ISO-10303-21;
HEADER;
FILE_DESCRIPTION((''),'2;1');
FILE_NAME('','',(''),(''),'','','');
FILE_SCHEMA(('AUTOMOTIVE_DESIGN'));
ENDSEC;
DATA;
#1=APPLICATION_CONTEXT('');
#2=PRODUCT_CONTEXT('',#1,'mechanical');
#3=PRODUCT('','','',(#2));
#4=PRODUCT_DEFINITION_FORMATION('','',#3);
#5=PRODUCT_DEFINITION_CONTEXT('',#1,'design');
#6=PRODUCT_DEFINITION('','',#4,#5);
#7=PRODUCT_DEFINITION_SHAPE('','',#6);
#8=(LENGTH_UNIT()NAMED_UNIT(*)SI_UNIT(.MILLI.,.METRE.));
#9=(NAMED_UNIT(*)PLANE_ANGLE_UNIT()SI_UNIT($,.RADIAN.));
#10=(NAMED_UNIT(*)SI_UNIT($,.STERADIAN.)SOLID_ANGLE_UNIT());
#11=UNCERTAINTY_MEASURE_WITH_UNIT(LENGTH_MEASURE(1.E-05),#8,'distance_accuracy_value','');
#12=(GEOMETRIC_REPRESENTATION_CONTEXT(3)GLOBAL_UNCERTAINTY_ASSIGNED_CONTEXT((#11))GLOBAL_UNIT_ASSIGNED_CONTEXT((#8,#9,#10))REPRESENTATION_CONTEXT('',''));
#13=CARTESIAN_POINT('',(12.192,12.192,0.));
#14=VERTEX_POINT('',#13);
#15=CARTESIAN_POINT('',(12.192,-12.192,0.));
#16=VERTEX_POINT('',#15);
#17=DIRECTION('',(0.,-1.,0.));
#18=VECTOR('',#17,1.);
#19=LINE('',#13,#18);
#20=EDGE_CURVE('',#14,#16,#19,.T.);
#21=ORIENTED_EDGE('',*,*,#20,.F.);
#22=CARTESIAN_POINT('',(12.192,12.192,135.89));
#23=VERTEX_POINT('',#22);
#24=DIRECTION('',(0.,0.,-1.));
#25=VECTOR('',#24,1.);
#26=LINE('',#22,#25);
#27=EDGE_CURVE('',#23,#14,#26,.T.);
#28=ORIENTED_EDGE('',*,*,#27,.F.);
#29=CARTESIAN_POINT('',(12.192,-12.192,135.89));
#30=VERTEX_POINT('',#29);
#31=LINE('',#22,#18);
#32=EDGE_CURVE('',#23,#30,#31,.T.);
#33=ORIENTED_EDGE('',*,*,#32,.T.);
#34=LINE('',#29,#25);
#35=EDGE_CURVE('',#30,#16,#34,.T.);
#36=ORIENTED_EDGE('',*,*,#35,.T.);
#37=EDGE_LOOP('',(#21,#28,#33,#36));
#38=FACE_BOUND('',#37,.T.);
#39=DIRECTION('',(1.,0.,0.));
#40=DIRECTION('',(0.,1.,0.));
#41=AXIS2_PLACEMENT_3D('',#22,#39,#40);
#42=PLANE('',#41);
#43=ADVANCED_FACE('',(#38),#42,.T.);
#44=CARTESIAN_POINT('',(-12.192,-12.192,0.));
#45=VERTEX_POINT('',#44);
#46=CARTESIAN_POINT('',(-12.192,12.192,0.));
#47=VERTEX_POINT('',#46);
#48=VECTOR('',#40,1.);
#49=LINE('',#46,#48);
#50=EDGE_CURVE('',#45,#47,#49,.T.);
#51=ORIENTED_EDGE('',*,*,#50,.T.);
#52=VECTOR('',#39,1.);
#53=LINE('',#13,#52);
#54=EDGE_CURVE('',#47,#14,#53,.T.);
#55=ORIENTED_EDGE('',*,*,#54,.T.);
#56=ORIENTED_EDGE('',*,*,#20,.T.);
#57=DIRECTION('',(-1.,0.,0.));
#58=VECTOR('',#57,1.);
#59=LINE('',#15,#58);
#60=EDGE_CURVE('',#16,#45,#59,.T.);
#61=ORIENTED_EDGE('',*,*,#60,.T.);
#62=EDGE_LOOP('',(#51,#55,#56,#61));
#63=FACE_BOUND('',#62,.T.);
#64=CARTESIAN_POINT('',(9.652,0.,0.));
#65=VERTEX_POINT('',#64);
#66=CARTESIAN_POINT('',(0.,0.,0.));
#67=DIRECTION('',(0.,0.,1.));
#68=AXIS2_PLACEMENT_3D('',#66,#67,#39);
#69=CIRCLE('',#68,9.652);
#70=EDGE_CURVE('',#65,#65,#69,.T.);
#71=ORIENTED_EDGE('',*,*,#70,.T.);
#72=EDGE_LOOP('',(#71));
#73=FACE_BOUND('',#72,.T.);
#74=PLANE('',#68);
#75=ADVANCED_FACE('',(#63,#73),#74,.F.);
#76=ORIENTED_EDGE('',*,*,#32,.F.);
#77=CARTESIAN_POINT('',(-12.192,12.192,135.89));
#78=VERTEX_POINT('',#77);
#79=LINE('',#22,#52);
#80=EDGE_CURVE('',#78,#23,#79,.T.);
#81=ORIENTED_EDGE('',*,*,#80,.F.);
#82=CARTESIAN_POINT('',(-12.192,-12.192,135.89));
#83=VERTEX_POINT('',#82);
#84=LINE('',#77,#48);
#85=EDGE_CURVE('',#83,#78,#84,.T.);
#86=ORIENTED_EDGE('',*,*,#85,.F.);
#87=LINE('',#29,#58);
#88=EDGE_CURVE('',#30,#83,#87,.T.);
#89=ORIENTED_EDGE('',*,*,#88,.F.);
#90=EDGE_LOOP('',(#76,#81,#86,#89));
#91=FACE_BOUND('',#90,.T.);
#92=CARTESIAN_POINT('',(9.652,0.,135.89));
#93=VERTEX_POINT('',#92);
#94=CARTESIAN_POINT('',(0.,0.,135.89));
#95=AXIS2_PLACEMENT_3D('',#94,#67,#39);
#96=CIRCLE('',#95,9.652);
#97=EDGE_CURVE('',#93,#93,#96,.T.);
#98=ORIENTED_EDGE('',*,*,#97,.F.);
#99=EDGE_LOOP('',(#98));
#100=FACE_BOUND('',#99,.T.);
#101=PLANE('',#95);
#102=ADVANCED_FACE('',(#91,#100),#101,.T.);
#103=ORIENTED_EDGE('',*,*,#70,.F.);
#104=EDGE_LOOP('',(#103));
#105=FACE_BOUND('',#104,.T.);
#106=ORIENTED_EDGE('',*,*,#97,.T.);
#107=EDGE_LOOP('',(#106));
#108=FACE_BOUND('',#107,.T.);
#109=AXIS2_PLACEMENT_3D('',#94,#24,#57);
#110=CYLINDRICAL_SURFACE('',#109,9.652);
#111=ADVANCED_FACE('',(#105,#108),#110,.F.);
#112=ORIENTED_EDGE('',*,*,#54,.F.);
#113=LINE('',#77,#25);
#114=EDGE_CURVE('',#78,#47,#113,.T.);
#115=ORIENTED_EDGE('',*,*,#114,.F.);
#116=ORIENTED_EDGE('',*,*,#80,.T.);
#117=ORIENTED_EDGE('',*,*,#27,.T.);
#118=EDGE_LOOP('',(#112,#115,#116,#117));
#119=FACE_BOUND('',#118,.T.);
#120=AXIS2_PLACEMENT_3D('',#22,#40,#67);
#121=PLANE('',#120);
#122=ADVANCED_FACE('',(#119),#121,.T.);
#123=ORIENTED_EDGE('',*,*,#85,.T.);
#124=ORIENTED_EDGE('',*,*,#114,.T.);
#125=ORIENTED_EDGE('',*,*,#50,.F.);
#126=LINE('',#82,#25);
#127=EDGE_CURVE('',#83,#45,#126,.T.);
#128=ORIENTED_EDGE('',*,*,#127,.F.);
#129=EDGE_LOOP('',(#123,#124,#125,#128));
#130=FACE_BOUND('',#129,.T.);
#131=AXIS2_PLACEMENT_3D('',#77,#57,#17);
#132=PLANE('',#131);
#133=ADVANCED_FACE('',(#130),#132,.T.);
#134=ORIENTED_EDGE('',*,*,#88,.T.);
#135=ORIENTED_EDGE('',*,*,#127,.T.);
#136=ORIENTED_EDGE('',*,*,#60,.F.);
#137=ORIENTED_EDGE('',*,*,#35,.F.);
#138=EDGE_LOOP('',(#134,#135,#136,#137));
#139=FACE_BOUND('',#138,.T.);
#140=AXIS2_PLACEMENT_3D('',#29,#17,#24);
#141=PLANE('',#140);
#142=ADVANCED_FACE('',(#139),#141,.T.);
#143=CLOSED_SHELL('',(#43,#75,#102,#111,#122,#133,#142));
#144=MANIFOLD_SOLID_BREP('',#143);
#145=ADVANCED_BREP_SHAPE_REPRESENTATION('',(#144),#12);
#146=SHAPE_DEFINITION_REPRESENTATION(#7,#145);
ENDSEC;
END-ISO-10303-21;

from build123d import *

# Parameters (mm, degrees)
SKETCH1_R               = 12.192
SKETCH1_R_2             = 9.652
MAIN_INNER_TUBE_DEPTH   = 135.89
SKETCH2_W               = 24.384
SKETCH2_H               = 24.384
SKETCH2_R               = 9.652
RECTANGLE_OUTSIDE_DEPTH = 135.89


with BuildPart() as part:
    # Sketch1 → Main Inner Tube (new body)
    with BuildSketch(Plane.XY):
        Circle(SKETCH1_R)
        Circle(SKETCH1_R_2, mode=Mode.SUBTRACT)
    extrude(amount=MAIN_INNER_TUBE_DEPTH)

    # Sketch2 → Rectangle Outside (add, through all)
    with BuildSketch(Plane(origin=(0, 0, 0), x_dir=(-1, 0, 0), z_dir=(0, 0, -1))):
        Rectangle(SKETCH2_W, SKETCH2_H)
        with Locations(Location((0, 0, 0), (0, 0, 180))):
            Circle(SKETCH2_R, mode=Mode.SUBTRACT)
    extrude(amount=-RECTANGLE_OUTSIDE_DEPTH)


solid = part.part
